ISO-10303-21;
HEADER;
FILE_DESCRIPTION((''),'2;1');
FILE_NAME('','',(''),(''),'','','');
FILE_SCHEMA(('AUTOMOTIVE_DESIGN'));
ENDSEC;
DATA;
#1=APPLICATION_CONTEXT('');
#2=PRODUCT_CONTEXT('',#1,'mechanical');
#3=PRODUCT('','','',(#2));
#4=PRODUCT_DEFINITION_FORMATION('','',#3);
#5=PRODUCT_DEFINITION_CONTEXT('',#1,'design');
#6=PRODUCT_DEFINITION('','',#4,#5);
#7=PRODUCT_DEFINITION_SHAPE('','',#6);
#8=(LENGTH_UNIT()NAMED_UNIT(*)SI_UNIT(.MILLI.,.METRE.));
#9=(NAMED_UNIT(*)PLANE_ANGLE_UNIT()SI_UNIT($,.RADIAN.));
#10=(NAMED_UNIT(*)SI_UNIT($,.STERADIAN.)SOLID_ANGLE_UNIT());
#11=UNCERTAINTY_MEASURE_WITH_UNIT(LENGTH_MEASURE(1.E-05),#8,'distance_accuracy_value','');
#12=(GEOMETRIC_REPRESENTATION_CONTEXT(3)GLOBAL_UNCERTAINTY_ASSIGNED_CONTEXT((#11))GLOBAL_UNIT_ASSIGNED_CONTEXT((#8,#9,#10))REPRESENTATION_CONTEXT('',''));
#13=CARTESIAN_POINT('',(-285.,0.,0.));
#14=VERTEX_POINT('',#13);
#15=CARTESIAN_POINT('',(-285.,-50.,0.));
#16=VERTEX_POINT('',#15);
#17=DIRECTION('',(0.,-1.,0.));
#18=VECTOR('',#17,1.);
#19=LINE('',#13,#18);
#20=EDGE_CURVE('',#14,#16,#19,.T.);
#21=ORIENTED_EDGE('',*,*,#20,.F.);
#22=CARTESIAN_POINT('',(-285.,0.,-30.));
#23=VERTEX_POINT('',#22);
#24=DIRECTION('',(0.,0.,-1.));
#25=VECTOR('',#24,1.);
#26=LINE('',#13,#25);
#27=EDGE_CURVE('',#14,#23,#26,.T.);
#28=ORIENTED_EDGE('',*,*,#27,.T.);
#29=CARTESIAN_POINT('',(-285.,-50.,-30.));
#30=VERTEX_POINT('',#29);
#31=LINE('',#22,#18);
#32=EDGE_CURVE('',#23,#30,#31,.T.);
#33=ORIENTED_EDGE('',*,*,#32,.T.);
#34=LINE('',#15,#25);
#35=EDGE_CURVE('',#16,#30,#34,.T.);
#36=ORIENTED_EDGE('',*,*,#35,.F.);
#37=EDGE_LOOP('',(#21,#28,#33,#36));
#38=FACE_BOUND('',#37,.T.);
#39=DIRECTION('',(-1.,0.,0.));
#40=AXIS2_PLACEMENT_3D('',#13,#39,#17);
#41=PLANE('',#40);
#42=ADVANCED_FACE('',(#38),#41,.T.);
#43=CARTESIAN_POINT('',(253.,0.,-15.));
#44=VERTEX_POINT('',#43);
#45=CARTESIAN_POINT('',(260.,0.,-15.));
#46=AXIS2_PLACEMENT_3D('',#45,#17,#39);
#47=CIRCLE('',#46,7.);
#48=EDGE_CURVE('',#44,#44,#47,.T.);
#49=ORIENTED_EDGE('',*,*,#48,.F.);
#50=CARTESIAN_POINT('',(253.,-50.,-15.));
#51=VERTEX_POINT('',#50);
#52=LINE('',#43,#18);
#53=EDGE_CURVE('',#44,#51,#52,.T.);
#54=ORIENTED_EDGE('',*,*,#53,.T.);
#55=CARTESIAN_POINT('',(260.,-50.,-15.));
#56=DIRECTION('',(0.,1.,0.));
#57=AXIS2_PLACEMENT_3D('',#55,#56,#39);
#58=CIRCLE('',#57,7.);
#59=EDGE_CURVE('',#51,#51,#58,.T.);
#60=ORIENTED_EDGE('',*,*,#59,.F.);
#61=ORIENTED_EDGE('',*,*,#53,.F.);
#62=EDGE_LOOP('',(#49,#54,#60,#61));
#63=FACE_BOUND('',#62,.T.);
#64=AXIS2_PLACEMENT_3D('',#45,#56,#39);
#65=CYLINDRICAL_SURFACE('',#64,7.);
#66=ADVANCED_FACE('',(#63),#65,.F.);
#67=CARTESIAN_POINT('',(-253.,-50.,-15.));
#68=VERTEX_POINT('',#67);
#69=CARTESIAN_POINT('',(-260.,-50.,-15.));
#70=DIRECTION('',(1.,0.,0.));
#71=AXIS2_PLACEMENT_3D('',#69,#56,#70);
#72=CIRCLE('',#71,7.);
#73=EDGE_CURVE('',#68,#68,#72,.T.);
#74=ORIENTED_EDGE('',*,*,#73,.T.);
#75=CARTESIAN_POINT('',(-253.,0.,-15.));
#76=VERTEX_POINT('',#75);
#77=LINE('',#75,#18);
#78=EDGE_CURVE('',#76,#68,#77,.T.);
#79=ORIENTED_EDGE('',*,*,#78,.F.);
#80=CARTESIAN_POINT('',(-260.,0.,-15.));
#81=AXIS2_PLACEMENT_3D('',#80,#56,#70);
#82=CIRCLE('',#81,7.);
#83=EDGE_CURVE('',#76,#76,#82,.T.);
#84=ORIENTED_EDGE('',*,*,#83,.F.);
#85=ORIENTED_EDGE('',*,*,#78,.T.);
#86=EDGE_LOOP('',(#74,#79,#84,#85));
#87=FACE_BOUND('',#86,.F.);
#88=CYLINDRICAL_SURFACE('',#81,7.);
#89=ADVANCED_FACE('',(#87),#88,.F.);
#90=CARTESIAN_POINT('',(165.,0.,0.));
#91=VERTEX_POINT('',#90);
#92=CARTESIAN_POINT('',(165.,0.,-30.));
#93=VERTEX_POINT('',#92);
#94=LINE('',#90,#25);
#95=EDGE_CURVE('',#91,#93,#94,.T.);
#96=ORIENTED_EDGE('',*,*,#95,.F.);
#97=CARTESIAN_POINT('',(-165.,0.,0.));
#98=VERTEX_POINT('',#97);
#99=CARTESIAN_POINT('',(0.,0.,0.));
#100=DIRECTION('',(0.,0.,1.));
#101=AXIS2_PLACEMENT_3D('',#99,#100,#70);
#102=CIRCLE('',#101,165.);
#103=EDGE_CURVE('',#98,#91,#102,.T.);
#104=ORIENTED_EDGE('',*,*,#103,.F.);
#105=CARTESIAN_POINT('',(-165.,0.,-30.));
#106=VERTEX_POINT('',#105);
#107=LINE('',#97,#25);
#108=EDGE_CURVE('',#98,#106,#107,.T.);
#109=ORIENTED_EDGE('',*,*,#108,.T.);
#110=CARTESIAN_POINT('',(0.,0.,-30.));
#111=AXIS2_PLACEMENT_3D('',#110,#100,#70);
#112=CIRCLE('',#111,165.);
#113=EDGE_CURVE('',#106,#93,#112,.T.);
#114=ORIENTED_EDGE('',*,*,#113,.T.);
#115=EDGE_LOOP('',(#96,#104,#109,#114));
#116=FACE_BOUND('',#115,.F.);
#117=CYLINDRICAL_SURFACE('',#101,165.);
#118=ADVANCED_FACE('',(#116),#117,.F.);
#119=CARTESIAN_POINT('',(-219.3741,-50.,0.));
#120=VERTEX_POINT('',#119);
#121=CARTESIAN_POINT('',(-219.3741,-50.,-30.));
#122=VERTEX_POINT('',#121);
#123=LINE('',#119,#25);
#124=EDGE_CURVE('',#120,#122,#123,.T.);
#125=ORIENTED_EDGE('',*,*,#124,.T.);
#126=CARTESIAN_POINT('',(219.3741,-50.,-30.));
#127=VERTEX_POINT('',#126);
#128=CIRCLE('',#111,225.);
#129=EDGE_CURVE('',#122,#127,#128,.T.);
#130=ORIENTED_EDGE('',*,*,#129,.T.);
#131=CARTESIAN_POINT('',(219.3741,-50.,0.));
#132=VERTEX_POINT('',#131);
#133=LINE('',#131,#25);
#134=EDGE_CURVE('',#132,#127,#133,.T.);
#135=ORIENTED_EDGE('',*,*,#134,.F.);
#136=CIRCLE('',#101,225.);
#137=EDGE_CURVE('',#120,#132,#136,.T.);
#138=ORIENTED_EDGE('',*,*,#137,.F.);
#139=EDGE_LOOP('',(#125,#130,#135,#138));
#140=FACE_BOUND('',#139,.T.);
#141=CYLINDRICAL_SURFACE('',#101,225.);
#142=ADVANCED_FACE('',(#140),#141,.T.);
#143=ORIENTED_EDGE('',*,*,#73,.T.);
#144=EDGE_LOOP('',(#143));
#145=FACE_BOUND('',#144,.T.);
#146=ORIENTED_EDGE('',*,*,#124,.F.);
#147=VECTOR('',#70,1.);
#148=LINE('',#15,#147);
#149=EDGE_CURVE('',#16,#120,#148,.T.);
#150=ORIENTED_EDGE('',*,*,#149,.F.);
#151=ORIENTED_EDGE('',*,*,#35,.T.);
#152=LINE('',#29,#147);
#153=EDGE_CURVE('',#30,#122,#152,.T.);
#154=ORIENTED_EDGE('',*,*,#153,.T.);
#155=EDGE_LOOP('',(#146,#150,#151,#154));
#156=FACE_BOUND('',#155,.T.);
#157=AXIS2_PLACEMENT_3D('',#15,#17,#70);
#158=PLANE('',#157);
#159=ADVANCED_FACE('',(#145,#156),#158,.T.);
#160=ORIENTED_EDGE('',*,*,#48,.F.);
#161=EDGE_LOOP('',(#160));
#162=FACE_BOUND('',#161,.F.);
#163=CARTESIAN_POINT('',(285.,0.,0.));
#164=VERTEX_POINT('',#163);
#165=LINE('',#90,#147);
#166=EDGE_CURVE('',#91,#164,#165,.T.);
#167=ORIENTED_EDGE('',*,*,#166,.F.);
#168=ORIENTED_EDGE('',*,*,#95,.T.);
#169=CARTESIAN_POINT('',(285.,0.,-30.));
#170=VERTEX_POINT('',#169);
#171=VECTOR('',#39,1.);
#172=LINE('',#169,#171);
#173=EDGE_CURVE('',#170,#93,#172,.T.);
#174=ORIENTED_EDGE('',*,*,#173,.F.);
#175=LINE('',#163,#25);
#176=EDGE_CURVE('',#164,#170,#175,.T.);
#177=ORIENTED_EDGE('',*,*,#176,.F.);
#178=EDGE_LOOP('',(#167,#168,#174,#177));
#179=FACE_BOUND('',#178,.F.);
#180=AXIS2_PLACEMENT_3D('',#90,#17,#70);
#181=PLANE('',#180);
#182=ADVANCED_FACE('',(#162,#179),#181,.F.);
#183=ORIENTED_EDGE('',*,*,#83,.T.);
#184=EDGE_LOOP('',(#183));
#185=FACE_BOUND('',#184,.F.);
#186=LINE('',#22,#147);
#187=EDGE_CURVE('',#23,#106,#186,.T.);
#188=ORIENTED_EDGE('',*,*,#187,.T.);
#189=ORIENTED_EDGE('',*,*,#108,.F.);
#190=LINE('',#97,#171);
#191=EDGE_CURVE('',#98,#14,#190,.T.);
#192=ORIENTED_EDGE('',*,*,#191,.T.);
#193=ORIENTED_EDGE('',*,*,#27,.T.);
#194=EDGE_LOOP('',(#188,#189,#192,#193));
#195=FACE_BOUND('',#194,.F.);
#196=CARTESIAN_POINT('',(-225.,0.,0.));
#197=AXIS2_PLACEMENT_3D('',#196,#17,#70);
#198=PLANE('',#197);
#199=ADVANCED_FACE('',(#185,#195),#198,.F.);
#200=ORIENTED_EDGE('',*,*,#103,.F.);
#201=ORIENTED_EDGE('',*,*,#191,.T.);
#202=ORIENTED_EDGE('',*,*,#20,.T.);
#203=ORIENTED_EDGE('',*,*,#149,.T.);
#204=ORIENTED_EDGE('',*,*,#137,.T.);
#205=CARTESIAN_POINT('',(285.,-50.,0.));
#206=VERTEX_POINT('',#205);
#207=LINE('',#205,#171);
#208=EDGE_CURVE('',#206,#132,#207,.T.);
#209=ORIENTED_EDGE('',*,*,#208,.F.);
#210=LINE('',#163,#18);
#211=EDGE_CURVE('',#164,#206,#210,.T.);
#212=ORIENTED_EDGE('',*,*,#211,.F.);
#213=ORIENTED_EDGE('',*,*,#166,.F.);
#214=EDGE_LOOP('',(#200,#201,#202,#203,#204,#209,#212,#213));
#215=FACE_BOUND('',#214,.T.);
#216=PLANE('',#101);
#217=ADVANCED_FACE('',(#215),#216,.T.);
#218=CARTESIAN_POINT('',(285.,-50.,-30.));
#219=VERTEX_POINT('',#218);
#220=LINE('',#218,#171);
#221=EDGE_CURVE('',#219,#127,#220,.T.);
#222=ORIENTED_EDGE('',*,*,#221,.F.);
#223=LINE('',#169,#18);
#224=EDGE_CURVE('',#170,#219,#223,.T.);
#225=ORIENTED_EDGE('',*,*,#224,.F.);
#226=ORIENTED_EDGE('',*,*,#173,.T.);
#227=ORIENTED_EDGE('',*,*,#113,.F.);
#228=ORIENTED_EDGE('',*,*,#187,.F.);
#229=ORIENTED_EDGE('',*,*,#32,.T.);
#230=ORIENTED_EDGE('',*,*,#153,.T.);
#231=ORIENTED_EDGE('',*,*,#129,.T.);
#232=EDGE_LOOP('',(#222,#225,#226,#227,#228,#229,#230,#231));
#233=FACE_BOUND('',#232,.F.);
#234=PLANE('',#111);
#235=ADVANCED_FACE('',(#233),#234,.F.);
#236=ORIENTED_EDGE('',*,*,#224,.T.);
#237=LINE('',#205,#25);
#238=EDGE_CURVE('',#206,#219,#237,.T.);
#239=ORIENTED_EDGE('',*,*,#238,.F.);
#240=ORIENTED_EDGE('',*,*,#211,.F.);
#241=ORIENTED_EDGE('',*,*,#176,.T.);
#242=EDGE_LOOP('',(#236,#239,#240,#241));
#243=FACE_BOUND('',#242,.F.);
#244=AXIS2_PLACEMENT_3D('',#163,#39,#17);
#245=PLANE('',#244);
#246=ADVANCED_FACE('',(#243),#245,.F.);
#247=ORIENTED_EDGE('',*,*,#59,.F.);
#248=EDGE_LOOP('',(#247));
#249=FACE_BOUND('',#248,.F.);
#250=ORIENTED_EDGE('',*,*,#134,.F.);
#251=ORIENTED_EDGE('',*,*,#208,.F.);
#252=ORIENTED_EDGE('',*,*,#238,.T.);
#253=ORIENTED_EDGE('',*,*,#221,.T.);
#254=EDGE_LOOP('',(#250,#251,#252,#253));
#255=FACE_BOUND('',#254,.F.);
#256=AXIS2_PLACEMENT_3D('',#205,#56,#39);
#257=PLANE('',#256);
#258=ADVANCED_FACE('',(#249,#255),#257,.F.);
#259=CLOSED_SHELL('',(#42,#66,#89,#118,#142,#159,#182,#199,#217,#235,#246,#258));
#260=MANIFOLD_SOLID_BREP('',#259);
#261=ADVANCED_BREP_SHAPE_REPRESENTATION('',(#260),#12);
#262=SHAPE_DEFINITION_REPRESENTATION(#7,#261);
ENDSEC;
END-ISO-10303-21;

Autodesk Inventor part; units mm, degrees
ref_plane "YZ Plane" through (0, 0, 0) normal (1, 0, 0) x (0, 1, 0)
ref_plane "XZ Plane" through (0, 0, 0) normal (0, 1, 0) x (-1, 0, 0)
ref_plane "XY Plane" through (0, 0, 0) normal (0, 0, 1) x (1, 0, 0)
sketch "Sketch1" plane through (0, 0, 0) normal (0, 0, 1) x (1, 0, 0)
  circle A0 centre (0, 0) radius 195 construction
  line L0 (0, 195) -> (0, 225) construction
  line L1 (0, 195) -> (0, 165) construction
  circle A1 centre (0, 0) radius 165
  circle A2 centre (0, 0) radius 225
  line L2 (-165, 0) -> (-165, 80)
  line L3 (-165, 80) -> (-225, 80)
  line L4 (-225, 80) -> (-225, 0)
  line L5 (165, 0) -> (165, 80)
  line L6 (165, 80) -> (225, 80)
  line L7 (225, 80) -> (225, 0)
  line L8 (-225, 0) -> (-165, 0)
  line L9 (165, 0) -> (225, 0)
  line L10 (-225, 0) -> (-285, 0)
  line L11 (-285, 0) -> (-285, -50)
  line L12 (-285, -50) -> (-219.3741, -50)
  line L13 (225, 0) -> (285, 0)
  line L14 (285, 0) -> (285, -50)
  line L15 (285, -50) -> (219.3741, -50)
  dimension "d13" = 390
  dimension "d26" = 80
  dimension "d36" = 60
  dimension "d40" = 60
  dimension "d41" = 50
extrude "Extrusion1" add sketch "Sketch1" against normal blind 30 contours L9 A2 L8 A1 | L13 L14 L15 A2 | A2 L12 L11 L10
sketch "Sketch7" plane through (-285, 0, 0) normal (0, 1, 0) x (1, 0, 0)
  circle A0 centre (25, 15) radius 7
  line L0 (0, 0) -> (0, 30) projected
  point P0 (285, 0)
  point P1 (0, 15)
  dimension "d42" = 14
  dimension "d43" = 25
extrude "Extrusion7" cut sketch "Sketch7" against normal through all
mirror "Mirror1" about plane through (0, 0, 0) normal (1, 0, 0) of "Extrusion7"
equation "\"d13\" = Шпил_пласт_НОС_диам_центров"
equation "\"d40\" = d36"
equation "\"BendReliefDepth\" = 0.5 * Thickness"
equation "\"Шпил_пласт_НОС_диам_центров\" = 390"
equation "\"Thickness\" = 30"
properties part number "ДМФ 092 Коромысло НОС"
